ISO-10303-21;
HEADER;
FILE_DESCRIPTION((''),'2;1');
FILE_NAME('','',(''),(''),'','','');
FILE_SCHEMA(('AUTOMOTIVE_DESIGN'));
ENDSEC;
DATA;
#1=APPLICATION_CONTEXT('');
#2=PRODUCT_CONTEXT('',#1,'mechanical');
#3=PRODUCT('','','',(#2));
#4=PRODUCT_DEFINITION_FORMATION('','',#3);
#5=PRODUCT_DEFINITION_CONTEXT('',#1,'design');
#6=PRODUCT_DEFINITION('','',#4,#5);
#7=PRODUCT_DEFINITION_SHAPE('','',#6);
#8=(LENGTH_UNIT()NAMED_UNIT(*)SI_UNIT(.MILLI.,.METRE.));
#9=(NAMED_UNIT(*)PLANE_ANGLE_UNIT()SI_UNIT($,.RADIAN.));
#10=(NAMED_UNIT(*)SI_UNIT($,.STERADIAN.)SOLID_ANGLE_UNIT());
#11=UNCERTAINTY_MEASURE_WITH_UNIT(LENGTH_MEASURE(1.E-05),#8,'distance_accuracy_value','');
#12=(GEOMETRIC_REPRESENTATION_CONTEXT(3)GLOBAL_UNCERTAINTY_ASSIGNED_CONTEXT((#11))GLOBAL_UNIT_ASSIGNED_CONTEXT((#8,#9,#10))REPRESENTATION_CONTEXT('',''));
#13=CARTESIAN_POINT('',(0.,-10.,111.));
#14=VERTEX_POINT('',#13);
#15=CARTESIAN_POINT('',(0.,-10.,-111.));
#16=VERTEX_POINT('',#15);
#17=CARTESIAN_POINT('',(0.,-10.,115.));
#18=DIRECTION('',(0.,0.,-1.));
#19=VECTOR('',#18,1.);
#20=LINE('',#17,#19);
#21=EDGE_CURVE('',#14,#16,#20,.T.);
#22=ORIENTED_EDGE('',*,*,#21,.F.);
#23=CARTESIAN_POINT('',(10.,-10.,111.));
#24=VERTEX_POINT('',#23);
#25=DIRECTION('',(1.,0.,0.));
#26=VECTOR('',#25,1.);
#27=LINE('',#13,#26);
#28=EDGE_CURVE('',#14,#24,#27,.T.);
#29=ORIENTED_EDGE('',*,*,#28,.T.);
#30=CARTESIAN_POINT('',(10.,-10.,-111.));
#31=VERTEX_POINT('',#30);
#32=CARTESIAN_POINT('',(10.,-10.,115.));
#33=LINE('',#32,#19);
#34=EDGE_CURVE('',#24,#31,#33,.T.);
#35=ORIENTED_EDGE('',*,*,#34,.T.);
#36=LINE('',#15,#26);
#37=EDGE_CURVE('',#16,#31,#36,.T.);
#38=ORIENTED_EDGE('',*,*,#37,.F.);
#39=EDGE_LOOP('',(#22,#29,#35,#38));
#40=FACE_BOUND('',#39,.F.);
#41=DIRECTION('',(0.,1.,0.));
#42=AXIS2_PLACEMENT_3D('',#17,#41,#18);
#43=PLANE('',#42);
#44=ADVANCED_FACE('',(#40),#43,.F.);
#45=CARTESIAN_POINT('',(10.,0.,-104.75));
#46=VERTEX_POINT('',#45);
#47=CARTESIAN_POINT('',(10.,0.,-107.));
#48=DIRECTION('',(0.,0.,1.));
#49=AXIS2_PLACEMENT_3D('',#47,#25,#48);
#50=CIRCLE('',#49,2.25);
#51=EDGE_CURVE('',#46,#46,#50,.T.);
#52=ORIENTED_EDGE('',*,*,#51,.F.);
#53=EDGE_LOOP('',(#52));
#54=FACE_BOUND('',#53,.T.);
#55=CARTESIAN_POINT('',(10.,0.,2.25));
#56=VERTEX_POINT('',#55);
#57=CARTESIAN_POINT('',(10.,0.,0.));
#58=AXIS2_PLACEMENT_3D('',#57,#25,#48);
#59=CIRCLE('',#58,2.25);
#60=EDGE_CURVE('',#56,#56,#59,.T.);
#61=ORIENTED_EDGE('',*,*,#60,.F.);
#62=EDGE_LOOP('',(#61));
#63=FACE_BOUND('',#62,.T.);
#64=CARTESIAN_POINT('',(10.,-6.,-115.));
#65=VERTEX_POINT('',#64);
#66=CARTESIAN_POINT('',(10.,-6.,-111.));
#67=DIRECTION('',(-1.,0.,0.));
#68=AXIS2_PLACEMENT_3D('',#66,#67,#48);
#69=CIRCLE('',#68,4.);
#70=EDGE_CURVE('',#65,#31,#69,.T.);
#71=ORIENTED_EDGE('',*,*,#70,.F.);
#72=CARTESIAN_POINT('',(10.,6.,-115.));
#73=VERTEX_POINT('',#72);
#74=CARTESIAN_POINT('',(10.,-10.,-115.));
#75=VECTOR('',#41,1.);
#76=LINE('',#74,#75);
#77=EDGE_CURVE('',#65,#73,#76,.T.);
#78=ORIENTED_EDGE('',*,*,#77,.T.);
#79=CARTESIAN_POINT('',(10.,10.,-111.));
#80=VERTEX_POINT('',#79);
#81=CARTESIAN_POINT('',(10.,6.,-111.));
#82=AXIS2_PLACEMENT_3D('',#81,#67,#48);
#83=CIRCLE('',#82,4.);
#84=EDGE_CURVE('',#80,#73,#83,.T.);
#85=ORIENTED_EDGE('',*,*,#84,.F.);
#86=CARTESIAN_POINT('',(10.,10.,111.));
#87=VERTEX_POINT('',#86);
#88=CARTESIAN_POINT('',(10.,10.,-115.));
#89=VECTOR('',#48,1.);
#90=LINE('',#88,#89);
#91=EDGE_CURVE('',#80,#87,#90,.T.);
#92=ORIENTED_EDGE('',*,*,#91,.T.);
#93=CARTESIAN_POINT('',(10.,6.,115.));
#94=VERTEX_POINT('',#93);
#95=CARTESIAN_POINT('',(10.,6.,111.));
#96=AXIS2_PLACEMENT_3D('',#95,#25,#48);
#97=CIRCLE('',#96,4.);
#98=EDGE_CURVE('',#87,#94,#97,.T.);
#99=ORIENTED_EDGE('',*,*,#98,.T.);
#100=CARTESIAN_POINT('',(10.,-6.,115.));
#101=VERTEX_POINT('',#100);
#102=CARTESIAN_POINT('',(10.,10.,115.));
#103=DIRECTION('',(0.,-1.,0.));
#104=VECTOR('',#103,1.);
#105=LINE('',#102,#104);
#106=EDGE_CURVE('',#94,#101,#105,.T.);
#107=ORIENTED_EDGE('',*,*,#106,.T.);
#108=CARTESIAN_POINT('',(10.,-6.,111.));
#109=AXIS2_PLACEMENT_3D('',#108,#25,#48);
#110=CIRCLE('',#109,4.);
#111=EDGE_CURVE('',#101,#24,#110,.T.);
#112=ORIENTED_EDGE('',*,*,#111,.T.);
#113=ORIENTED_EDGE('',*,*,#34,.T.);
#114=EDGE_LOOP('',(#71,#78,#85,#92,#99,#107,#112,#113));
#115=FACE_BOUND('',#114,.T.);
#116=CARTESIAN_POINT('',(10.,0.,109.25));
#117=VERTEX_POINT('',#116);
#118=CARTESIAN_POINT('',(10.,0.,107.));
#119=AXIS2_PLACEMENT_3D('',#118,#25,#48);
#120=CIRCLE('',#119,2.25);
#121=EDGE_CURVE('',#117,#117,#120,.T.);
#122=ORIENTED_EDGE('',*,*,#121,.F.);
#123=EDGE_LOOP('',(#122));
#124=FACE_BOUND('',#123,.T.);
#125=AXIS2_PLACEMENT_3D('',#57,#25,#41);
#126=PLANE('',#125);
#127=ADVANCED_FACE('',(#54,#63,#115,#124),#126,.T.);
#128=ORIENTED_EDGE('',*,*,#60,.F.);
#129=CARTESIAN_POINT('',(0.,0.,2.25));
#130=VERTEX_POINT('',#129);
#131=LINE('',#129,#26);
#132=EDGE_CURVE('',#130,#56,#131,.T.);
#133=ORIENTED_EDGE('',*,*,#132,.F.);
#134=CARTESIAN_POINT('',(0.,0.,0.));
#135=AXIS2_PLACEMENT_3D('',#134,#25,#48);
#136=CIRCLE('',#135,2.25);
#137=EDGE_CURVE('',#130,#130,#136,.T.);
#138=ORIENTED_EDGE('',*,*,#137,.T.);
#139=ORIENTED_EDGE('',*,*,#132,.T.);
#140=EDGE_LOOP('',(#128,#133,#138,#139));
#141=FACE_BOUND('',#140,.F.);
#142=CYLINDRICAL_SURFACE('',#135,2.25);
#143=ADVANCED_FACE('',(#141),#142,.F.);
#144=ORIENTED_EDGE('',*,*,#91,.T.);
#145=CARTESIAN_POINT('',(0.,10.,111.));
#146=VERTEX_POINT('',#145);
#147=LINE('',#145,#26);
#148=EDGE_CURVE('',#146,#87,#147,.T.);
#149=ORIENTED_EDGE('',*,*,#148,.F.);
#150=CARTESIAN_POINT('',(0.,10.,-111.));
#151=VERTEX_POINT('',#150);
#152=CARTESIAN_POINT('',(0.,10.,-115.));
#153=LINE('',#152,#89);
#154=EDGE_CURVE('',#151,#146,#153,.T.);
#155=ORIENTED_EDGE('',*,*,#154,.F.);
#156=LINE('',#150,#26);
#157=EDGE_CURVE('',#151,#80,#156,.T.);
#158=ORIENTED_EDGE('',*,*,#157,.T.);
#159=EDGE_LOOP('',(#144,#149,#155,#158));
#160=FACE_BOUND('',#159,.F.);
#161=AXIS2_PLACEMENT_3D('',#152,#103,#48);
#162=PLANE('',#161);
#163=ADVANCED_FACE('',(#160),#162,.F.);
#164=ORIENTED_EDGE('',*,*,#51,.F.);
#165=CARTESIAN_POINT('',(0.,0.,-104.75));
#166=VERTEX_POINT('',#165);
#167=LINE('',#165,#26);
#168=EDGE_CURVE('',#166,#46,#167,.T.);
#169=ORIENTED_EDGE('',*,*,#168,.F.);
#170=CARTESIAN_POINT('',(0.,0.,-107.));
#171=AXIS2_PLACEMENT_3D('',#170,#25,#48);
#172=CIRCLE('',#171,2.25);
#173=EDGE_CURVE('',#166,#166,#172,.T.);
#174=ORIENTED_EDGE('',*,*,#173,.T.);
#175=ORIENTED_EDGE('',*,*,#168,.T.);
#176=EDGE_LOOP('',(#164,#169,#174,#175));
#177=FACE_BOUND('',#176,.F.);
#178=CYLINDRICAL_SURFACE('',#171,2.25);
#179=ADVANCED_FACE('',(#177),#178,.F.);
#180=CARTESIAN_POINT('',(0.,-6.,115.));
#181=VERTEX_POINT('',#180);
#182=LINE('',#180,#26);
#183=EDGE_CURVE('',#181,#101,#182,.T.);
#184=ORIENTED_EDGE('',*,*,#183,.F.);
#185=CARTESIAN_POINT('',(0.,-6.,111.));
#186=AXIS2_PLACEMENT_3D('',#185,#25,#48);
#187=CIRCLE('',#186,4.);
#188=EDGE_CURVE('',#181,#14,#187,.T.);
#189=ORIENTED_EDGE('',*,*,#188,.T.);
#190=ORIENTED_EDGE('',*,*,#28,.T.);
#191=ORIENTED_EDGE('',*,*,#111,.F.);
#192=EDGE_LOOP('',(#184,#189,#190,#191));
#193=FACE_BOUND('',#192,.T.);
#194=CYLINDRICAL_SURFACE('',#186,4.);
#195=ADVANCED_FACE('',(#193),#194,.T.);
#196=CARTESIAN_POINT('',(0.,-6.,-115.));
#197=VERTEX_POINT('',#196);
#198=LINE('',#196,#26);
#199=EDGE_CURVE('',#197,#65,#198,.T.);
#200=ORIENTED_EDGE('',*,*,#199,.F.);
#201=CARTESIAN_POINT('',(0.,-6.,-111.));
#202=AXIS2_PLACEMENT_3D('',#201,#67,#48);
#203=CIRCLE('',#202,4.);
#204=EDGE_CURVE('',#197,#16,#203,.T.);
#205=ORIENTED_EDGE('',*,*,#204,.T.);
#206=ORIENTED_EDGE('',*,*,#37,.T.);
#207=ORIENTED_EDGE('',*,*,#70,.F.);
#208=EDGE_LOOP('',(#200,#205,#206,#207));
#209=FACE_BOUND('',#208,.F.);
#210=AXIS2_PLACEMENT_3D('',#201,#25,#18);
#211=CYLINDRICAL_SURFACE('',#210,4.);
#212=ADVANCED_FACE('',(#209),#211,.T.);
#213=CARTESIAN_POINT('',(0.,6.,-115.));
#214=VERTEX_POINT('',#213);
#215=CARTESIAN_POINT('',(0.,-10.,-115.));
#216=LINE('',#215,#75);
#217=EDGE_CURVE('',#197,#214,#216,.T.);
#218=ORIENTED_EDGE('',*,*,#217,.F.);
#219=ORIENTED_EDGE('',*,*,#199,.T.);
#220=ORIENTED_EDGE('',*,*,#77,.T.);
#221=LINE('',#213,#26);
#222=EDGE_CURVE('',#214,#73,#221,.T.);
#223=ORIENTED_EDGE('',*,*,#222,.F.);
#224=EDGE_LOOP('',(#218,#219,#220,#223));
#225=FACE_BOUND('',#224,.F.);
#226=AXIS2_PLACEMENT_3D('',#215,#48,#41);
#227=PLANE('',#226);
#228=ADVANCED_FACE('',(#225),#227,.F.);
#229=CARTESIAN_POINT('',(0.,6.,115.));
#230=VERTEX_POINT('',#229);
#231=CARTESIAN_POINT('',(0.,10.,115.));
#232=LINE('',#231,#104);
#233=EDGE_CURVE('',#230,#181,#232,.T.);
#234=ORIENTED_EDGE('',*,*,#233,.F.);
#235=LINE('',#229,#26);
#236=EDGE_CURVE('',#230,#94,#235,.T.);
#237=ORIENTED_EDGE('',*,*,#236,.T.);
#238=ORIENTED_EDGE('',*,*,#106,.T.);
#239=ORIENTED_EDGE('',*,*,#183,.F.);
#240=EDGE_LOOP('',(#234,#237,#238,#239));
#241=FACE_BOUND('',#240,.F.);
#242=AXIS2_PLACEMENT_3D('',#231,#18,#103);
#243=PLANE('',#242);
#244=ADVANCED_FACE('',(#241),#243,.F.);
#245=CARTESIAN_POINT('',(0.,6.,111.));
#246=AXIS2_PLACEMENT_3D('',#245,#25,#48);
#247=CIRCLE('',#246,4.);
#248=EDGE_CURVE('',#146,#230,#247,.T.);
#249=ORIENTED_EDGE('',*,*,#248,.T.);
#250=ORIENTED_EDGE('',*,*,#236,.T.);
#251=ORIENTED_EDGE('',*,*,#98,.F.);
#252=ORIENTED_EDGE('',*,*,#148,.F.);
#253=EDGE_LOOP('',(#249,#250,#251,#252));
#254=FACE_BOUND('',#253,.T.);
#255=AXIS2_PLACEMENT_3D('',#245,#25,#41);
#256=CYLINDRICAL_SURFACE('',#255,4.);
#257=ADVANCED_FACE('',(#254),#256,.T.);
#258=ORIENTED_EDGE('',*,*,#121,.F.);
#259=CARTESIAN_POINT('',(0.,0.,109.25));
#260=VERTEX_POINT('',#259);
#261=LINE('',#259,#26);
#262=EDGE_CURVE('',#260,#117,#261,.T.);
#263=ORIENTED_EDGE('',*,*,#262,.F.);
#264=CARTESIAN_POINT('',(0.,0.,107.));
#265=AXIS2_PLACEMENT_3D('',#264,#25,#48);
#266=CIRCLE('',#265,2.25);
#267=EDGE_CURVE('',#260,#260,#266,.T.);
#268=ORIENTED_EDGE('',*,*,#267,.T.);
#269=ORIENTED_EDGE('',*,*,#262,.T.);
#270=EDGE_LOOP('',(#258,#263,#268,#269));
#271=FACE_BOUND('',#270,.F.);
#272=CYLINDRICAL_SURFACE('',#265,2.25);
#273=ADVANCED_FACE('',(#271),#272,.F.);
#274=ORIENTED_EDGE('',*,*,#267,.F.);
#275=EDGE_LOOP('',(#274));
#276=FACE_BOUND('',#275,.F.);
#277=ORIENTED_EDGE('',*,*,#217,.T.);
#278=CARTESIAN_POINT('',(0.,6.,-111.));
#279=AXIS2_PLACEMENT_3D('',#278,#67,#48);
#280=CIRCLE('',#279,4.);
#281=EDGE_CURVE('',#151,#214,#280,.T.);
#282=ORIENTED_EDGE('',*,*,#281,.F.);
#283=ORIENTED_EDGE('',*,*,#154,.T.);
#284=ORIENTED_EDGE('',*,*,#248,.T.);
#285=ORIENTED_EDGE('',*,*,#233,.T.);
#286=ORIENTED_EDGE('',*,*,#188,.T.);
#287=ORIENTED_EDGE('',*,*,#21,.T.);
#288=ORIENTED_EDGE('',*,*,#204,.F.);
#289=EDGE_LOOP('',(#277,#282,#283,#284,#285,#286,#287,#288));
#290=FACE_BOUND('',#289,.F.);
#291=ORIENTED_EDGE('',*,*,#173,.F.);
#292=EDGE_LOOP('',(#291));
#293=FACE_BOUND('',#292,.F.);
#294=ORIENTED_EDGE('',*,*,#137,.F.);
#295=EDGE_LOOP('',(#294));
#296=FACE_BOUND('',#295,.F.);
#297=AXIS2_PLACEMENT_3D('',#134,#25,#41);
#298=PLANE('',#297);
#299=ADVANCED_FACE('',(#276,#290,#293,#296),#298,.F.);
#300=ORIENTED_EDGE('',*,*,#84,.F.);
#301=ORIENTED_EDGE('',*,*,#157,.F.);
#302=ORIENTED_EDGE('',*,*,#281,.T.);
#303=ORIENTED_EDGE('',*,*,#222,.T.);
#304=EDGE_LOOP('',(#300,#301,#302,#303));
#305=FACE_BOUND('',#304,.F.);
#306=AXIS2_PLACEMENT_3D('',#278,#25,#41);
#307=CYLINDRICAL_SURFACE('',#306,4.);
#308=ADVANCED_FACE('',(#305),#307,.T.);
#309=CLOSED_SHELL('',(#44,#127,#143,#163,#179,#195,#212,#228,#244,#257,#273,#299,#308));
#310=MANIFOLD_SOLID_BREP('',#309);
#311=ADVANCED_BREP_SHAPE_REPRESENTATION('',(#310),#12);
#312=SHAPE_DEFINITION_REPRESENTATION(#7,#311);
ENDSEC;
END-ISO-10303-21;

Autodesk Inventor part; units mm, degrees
ref_plane "YZ Plane" through (0, 0, 0) normal (1, 0, 0) x (0, 1, 0)
ref_plane "XZ Plane" through (0, 0, 0) normal (0, 1, 0) x (-1, 0, 0)
ref_plane "XY Plane" through (0, 0, 0) normal (0, 0, 1) x (1, 0, 0)
sketch "Skizze1" plane through (0, 0, 0) normal (1, 0, 0) x (0, 1, 0)
  line L0 (10, 115) -> (-10, 115)
  line L1 (-10, 115) -> (-10, -115)
  line L2 (-10, -115) -> (10, -115)
  line L3 (10, -115) -> (10, 115)
  line L4 (10, 115) -> (-10, -115) construction
  line L5 (-10, 115) -> (10, -115) construction
  point P0 (0, 0)
  dimension "d0" = 230
  dimension "d1" = 20
extrude "Extrusion1" add sketch "Skizze1" along normal blind 10
sketch "Skizze2" plane through (0, 0, 0) normal (-1, 0, 0) x (0, 0, 1)
  line L0 (-115, -10) -> (-115, 10) projected
  point P0 (0, 0)
  point P1 (-107, 0)
  point P2 (0, 0)
  point P3 (107, 0)
  dimension "d4" = 8
  dimension "d5" = 107
  dimension "d13" = 107
hole "Bohrung1" at (0, 0, -107) at (0, 0, 0) at (0, 0, 107) direction (1, 0, 0) diameter 4.5 end through all
fillet "Rundung1" radius 4 4 edges at (5, 10, -115) (5, -10, -115) (5, -10, 115) (5, 10, 115)
properties part number "103.018.01_Distanz_Wand"
